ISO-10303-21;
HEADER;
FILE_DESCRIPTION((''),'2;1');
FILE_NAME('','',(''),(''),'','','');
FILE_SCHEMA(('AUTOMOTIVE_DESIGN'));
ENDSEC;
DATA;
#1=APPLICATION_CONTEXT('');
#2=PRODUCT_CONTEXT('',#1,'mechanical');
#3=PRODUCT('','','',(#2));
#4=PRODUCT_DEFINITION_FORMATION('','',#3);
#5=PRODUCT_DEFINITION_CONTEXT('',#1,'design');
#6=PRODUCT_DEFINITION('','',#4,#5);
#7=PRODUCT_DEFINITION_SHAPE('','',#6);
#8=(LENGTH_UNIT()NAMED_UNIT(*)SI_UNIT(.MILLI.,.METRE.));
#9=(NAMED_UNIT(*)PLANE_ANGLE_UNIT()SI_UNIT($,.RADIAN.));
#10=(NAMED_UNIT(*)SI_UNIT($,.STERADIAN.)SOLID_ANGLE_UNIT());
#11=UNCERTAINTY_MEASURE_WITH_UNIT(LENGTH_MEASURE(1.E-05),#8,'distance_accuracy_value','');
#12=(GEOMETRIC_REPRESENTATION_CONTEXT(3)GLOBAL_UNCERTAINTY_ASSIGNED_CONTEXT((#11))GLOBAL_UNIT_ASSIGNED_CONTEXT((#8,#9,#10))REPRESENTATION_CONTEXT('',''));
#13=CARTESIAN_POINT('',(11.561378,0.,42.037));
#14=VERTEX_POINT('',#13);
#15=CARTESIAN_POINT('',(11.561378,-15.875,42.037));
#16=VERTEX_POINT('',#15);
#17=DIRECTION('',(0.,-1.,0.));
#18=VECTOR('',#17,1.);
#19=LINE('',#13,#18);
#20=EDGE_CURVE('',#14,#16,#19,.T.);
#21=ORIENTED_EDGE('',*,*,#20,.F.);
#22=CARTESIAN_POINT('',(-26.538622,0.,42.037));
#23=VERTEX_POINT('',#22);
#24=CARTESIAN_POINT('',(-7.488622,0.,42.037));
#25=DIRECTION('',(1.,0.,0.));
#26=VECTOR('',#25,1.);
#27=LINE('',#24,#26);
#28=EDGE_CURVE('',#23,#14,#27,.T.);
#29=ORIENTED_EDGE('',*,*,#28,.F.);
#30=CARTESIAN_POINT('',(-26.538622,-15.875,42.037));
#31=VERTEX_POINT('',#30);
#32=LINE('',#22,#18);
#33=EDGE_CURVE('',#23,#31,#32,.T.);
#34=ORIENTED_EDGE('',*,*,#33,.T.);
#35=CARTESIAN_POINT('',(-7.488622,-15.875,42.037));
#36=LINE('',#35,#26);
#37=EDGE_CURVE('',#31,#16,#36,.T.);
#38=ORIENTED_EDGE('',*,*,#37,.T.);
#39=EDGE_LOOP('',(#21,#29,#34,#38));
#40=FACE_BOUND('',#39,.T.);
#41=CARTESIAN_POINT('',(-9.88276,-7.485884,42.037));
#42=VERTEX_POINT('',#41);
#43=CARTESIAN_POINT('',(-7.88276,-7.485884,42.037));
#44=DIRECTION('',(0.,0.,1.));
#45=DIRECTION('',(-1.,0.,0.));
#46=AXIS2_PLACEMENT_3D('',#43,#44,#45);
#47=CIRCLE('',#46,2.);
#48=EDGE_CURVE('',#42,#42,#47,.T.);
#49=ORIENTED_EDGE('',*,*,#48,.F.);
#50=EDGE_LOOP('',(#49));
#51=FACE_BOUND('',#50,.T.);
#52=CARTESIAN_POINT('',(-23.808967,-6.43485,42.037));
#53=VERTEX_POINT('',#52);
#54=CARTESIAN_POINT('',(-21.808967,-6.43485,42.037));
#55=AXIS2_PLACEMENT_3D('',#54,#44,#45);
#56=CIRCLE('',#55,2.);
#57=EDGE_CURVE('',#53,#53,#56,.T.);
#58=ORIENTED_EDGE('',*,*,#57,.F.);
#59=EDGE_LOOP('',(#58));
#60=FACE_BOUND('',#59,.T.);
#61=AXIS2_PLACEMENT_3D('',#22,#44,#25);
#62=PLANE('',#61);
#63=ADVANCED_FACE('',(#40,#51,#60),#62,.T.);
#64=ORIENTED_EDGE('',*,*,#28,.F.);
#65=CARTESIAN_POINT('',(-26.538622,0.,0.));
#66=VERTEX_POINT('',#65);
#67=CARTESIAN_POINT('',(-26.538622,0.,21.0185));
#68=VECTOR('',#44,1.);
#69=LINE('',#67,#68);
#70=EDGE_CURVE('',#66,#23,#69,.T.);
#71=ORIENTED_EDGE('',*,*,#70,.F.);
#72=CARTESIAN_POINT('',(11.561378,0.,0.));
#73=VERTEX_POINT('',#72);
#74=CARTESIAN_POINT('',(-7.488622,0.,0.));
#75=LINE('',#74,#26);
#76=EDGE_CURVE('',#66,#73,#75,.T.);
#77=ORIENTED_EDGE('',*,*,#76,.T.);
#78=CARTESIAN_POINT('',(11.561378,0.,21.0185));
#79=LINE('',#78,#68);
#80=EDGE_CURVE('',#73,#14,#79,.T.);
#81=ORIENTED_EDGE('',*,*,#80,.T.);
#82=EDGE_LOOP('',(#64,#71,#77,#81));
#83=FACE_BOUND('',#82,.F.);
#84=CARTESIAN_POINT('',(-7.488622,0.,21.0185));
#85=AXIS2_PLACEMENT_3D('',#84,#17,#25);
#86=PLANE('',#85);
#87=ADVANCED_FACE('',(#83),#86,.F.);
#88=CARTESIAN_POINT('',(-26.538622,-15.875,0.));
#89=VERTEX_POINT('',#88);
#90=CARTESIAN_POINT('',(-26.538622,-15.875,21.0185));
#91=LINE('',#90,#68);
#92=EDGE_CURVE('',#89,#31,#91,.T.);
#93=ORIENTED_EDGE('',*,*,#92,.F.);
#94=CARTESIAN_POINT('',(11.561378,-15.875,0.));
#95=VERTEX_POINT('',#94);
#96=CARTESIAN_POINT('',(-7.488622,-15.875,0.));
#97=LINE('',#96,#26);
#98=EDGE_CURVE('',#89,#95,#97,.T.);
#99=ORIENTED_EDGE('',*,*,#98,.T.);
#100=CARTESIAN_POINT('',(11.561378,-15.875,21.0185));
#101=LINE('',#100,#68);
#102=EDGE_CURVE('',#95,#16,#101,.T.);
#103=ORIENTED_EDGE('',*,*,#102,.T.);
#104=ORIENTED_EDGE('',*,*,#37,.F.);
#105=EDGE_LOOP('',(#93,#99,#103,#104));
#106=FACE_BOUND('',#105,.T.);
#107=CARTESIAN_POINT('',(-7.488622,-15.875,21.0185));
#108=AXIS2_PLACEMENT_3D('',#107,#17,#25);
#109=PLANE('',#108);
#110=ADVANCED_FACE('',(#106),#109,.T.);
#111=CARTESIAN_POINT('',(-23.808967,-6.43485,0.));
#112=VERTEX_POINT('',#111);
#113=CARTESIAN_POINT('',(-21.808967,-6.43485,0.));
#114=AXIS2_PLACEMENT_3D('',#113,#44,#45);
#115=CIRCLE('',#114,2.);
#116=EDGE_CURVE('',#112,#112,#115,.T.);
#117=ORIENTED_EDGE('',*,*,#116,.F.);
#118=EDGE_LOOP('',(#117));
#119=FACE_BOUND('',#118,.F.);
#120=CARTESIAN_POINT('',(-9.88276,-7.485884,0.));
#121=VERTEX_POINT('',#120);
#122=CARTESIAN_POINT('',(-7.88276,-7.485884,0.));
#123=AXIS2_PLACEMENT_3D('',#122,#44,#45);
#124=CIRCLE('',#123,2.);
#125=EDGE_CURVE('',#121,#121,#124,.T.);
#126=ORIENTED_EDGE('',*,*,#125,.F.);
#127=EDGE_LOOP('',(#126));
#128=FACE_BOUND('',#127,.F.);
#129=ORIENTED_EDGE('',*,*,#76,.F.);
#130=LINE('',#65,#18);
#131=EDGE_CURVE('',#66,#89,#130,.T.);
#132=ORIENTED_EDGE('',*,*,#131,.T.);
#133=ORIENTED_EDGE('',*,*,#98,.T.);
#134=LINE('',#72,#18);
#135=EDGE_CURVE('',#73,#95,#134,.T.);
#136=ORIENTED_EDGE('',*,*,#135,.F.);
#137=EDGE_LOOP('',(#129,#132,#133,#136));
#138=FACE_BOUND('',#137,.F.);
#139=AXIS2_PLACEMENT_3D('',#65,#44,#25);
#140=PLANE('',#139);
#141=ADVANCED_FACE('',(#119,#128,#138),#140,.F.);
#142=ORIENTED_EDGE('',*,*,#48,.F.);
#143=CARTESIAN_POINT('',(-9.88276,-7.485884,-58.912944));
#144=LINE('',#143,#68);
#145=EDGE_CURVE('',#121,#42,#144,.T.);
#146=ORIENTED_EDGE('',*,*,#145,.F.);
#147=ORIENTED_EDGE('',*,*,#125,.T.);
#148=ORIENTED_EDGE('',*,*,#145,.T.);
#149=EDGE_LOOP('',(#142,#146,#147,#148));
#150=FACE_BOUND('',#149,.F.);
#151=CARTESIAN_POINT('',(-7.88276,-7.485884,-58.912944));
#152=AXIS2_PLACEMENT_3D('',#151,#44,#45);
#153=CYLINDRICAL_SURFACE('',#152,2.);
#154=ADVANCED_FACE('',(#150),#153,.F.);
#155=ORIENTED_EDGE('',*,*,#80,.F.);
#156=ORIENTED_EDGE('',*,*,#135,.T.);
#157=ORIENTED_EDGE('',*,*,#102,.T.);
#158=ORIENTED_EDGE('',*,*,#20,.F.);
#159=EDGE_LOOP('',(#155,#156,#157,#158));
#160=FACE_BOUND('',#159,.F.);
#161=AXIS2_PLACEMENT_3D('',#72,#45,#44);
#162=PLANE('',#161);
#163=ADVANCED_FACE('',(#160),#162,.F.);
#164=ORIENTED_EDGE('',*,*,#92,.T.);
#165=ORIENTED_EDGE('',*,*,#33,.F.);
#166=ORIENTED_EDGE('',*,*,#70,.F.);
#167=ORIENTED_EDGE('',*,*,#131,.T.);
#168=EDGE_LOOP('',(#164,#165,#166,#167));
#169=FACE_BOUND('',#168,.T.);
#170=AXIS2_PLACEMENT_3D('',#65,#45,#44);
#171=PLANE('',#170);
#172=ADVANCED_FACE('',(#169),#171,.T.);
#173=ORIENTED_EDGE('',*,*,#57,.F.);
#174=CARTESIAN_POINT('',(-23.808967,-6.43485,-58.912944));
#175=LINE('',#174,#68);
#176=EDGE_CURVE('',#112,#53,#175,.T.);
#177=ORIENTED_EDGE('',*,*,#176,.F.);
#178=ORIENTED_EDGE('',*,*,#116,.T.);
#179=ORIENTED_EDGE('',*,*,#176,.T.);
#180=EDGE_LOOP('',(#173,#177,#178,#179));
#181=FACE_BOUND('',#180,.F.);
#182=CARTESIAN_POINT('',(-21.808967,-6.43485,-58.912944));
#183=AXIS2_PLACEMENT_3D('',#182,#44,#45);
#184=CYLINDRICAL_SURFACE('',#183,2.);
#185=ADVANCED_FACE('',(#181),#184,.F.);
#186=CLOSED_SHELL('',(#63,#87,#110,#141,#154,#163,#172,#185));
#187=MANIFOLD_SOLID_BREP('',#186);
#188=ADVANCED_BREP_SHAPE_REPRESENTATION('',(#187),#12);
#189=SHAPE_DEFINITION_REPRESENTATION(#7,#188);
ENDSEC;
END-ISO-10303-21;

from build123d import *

# Parameters (mm, degrees)
F0_W     = 38.1
F0_H     = 42.037
F1_DEPTH = 15.875
F3_D     = 4


with BuildPart() as f1:
    # F0 (on Front) → F1 (new body)
    with BuildSketch(Plane.XZ):
        with Locations((-7.488622, 21.0185)):
            Rectangle(F0_W, F0_H)
    extrude(amount=F1_DEPTH)

    # F3 (through all)
    with Locations(Plane(origin=(0, 0, 0), x_dir=(1, 0, 0), z_dir=(0, 0, -1))):
        with Locations((-7.88276, 7.485884), (-21.808967, 6.43485)):
            Hole(F3_D / 2)


solid = f1.part
